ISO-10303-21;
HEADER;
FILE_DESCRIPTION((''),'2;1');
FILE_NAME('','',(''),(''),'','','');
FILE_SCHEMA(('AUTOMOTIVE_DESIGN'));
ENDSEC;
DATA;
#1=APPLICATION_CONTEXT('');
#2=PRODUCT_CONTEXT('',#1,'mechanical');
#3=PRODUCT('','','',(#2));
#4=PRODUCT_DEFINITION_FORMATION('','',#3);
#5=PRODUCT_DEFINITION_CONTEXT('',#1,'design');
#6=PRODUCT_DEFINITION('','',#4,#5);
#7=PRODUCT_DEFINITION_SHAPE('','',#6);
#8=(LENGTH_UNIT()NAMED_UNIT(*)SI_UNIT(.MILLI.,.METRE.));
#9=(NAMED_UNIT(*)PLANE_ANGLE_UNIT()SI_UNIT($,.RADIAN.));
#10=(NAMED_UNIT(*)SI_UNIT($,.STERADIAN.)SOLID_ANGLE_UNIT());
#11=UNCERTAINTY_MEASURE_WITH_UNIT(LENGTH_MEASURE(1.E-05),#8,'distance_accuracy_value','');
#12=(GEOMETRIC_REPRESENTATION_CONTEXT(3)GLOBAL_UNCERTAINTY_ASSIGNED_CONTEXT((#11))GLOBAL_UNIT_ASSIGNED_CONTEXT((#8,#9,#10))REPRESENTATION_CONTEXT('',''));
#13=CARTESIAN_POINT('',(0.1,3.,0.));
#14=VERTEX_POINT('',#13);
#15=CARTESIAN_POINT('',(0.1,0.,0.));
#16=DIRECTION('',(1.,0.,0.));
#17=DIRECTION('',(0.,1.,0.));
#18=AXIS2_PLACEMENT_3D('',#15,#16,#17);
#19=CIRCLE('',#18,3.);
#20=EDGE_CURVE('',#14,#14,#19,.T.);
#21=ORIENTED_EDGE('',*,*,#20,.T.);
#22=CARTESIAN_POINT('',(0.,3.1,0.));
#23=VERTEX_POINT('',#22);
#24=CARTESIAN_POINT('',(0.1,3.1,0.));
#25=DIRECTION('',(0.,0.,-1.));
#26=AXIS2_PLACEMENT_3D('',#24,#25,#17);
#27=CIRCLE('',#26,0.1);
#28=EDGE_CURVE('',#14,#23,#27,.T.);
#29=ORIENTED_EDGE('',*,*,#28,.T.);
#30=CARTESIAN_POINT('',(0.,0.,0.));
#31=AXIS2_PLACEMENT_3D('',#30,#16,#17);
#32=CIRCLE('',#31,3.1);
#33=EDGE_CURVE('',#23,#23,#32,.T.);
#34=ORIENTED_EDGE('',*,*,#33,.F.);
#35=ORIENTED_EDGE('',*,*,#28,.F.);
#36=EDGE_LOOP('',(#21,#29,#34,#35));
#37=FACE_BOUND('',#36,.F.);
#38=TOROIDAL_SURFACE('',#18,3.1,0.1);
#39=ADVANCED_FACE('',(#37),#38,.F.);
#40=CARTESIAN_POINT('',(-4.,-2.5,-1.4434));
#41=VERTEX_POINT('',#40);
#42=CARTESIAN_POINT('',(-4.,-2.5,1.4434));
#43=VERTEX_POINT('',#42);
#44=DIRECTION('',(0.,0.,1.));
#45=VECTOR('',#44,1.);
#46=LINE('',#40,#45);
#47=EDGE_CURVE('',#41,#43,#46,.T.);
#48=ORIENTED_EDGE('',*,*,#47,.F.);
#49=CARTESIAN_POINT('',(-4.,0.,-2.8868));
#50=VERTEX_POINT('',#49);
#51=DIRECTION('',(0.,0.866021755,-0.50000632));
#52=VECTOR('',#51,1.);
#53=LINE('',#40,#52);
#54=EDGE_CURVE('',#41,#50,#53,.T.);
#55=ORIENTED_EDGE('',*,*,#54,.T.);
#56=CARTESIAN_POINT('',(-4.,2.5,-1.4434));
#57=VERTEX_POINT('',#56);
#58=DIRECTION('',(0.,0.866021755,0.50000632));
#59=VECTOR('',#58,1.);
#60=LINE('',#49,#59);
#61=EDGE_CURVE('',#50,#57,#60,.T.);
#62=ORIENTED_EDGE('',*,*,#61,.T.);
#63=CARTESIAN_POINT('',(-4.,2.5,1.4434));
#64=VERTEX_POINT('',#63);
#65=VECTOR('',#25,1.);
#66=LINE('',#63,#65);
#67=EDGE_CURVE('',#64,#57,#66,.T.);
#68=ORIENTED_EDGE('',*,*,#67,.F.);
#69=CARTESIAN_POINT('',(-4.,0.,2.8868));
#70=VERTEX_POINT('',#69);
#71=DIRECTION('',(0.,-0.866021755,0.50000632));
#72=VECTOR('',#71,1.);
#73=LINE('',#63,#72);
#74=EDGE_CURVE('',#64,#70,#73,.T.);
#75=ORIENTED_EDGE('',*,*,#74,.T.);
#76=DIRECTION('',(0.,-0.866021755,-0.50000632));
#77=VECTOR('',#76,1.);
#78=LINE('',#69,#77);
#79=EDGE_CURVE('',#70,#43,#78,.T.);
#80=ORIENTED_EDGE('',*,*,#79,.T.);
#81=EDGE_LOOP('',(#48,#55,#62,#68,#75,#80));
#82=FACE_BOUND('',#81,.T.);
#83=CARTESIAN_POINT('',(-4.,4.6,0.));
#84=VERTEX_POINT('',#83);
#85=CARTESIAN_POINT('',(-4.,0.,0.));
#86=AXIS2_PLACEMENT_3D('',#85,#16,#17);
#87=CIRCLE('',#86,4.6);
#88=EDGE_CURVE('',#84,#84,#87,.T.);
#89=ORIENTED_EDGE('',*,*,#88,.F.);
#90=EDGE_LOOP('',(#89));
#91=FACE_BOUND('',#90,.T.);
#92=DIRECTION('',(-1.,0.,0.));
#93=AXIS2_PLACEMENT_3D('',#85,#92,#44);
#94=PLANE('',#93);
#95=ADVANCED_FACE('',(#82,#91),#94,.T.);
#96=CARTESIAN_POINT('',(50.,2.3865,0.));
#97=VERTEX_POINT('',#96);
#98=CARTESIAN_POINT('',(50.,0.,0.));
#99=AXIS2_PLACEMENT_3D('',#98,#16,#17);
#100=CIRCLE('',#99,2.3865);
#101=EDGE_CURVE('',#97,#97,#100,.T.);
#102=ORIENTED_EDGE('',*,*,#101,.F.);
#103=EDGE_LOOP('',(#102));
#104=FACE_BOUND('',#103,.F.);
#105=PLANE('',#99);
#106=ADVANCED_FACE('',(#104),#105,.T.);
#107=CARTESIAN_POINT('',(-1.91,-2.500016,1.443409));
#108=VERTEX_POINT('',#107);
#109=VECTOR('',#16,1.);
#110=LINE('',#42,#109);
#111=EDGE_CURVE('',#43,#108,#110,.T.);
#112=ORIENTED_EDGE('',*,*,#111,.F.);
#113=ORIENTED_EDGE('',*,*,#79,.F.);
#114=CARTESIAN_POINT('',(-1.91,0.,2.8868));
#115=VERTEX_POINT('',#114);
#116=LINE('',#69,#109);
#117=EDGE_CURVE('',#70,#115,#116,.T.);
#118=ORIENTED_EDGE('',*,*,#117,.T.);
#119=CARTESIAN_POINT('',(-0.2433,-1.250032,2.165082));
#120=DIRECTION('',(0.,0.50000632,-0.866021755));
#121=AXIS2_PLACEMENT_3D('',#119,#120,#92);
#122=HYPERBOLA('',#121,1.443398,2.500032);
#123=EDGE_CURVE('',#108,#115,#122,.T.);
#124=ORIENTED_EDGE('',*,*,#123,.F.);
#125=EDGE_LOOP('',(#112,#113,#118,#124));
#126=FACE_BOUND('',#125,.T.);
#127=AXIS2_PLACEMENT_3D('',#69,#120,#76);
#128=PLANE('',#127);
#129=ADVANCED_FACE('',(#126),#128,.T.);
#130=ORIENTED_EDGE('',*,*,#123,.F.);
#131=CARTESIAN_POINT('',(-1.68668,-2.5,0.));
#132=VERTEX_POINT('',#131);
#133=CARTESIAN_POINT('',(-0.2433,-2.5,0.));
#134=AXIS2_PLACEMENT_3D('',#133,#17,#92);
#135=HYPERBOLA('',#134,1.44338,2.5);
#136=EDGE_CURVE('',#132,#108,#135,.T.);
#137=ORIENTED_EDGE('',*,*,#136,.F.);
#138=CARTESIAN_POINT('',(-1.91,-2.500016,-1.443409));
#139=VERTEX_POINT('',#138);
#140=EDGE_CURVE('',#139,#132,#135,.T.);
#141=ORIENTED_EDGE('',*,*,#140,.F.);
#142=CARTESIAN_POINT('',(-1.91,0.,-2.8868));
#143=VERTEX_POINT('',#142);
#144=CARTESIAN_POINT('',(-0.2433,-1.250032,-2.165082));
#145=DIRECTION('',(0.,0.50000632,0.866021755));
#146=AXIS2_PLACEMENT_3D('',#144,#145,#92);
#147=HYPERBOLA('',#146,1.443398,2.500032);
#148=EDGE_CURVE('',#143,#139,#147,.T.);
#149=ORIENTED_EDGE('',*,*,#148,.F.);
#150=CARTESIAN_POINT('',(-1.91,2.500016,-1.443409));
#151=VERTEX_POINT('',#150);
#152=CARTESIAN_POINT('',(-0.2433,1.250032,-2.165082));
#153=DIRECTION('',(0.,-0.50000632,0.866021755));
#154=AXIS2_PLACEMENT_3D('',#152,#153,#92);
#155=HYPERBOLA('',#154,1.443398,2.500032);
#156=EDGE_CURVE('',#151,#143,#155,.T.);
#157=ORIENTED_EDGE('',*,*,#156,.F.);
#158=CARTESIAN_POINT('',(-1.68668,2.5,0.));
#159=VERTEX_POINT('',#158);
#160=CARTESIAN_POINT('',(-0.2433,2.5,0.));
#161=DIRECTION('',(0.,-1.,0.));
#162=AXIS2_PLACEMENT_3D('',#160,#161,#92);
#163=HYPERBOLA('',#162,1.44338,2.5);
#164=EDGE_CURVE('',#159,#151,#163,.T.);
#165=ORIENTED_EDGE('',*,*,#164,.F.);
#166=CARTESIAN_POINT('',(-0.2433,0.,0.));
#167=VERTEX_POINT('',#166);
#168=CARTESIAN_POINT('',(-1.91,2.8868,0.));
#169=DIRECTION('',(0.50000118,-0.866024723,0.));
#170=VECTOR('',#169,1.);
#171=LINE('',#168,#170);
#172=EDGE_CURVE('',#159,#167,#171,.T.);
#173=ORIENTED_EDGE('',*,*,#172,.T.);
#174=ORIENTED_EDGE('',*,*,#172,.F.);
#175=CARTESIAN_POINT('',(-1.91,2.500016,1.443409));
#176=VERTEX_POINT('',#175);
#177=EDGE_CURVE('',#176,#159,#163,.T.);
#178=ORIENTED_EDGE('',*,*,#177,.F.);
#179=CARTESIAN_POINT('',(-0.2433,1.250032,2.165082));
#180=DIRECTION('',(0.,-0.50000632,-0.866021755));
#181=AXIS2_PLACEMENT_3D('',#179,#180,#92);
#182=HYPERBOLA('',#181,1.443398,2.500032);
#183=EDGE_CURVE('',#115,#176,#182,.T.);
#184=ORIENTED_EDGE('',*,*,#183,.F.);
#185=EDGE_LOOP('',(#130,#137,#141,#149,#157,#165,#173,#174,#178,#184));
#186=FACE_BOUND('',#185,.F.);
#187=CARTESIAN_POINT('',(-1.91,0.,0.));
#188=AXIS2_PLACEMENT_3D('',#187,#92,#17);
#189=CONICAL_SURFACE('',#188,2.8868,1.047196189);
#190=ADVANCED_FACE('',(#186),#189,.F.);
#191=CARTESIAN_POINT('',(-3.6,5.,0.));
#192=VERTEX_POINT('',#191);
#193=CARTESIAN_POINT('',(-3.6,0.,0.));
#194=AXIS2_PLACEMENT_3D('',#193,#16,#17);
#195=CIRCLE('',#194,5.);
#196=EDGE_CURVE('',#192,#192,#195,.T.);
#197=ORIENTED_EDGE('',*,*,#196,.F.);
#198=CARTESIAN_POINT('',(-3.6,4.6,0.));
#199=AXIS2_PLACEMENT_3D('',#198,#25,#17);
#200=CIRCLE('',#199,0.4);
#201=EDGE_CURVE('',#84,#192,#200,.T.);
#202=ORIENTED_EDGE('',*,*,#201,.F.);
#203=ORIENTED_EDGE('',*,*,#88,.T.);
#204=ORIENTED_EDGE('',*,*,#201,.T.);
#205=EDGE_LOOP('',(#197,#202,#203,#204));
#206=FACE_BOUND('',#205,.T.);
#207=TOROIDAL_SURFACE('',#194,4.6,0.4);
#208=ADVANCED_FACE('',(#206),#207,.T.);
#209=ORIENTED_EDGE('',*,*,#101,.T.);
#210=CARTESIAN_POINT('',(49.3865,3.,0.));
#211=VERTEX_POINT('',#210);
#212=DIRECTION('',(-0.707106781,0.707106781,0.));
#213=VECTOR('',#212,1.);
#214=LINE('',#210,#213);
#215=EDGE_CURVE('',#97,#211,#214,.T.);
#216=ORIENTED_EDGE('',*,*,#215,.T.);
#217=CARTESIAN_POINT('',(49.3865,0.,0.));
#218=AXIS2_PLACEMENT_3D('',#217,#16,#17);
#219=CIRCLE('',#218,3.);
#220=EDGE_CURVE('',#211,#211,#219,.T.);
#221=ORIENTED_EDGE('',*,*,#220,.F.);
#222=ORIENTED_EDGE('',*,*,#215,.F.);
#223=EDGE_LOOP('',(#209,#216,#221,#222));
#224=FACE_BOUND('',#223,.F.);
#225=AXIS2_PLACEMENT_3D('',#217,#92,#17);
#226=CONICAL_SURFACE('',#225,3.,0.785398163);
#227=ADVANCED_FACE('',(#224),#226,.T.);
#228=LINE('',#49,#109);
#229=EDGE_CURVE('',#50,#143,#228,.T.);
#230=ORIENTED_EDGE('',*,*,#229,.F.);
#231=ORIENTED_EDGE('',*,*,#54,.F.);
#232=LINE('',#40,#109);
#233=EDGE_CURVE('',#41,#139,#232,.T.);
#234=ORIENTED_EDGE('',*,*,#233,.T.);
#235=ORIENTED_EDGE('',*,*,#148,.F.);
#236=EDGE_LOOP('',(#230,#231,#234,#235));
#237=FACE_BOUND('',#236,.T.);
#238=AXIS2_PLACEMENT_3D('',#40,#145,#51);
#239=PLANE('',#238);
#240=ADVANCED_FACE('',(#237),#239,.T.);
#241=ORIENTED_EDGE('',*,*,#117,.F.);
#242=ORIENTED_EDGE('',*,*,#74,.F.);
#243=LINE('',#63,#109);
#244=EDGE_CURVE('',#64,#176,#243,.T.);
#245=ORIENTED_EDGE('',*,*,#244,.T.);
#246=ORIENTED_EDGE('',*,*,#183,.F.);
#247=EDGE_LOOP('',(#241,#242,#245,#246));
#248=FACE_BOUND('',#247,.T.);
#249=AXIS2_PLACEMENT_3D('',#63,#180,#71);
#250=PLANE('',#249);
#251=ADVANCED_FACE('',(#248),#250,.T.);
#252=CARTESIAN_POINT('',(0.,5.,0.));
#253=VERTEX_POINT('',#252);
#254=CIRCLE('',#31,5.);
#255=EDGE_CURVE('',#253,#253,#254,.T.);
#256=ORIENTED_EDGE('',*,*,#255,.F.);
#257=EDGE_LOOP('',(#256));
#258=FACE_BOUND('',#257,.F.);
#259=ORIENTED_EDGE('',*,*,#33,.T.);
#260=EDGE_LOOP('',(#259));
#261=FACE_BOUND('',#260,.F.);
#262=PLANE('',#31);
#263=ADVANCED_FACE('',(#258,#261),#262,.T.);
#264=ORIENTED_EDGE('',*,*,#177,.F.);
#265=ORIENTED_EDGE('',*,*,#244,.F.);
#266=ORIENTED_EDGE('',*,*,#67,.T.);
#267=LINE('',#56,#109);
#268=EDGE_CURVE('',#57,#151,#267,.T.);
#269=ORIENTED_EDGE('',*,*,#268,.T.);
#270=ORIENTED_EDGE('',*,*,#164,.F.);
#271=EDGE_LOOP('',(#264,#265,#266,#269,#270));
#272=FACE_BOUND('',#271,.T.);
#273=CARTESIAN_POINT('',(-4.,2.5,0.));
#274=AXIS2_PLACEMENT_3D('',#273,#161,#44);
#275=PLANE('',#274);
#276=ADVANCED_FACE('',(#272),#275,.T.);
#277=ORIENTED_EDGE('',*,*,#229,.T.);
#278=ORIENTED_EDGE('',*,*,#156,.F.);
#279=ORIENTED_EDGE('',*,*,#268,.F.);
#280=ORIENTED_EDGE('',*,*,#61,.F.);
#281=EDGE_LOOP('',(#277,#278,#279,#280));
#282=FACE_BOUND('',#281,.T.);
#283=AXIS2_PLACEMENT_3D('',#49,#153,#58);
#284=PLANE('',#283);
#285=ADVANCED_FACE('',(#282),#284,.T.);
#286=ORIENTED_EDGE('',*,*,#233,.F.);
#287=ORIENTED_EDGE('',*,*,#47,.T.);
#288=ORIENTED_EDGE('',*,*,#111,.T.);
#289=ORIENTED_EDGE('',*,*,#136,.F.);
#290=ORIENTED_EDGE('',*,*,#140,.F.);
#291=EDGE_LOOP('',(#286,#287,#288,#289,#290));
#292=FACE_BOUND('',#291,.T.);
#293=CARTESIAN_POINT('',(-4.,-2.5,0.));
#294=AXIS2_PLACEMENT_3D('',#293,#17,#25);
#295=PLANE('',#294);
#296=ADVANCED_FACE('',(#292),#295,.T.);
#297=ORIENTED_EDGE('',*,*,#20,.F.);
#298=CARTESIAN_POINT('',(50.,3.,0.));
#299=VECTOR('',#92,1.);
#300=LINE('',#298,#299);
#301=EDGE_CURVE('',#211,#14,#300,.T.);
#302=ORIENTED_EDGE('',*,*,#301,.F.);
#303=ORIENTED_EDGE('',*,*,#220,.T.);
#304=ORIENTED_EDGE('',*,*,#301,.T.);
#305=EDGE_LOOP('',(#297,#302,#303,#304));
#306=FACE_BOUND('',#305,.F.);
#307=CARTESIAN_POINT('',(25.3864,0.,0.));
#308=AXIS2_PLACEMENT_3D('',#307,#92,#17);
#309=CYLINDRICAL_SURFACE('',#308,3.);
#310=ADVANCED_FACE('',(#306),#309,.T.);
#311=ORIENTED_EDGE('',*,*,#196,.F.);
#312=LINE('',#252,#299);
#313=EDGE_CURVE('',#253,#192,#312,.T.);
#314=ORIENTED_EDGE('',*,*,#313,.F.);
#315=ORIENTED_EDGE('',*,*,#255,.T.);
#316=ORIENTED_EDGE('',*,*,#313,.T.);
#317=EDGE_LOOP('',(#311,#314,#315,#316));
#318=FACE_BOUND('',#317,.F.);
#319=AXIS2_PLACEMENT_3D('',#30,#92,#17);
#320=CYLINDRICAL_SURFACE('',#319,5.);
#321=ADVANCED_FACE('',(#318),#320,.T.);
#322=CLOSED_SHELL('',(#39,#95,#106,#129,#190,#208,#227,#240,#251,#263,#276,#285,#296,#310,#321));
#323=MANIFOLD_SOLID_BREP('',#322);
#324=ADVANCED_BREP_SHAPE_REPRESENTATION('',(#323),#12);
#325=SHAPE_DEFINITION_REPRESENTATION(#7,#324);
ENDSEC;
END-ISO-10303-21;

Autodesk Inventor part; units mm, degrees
ref_plane "YZ Plane" through (0, 0, 0) normal (1, 0, 0) x (0, 1, 0)
ref_plane "XZ Plane" through (0, 0, 0) normal (0, 1, 0) x (-1, 0, 0)
sketch "Sketch1" plane through (0, 0, 0) normal (0, 0, 1) x (1, 0, 0)
  line L0 (-0.2433, 0) -> (50, 0)
  line L1 (50, 0) -> (50, 3)
  line L2 (50, 3) -> (26, 3)
  line L3 (26, 3) -> (25.3864, 3)
  line L4 (25.3864, 3) -> (0, 3)
  line L5 (0, 3) -> (0, 5)
  line L6 (0, 5) -> (-4, 5)
  line L7 (-4, 5) -> (-4, 2.8868)
  line L8 (-4, 2.8868) -> (-1.91, 2.8868)
  line L9 (-1.91, 2.8868) -> (-0.2433, 0)
  line L10 (-14.8, 0) -> (60.8, 0) projected
  line L11 (0, -1) -> (0, 6) projected
  line L12 (26, 3) -> (0, 3) construction
  dimension "d1" = 24
  dimension "d2" = 0.6136
  dimension "d3" = 4
  dimension "d4" = 2.09
  dimension "d5" = 60
  dimension "d6" = 6
  dimension "d7" = 6
  dimension "d8" = 5.7735
  dimension "d9" = 10
  dimension "d26" = 50
revolve "Body" add sketch "Sketch1" angle 360 about axis through (-0.2433, 0, 0) along (1, 0, 0)
sketch "Sketch2" plane through (-4, 0, 0) normal (-1, 0, 0) x (0, 0, 1)
  circle A0 centre (0, 0) radius 2.8868 projected
  line L0 (0, -7) -> (0, 7) projected
  line L1 (-7, 0) -> (7, 0) projected
  line L2 (2.8868, 0) -> (1.4434, -2.5)
  line L3 (1.4434, -2.5) -> (-1.4434, -2.5)
  line L4 (-1.4434, -2.5) -> (-2.8868, 0)
  line L5 (-2.8868, 0) -> (-1.4434, 2.5)
  line L6 (-1.4434, 2.5) -> (1.4434, 2.5)
  line L7 (1.4434, 2.5) -> (2.8868, 0)
extrude "Slot" add sketch "Sketch2" against normal up to next contours L7 A0 | A0 L2 | L6 L0 A0 | A0 L0 L3 | L0 L6 A0 | A0 L3 L0 | L4 A0 | A0 L5
fillet "Fillet1" radius 0.4 1 edges at (-4, -5, 0)
thread "Thread" size "M6x1" class "6g" standard "ISO Metric profile" length 24
chamfer "Chamfer1" distance 0.6135 distance2 0.6135 1 edges at (50, -3, 0) measured on face at (50, -0.7485, -0.2663)
ref_plane "Work Plane1" through (29, 0, 0) normal (0, -1, 0) x (1, 0, 0)
fillet "Fillet2" radius 0.1 1 edges at (0, -3, 0)
equation "\"d1\" = GEL"
equation "\"d3\" = KOH"
equation "\"d4\" = INTI"
equation "\"d6\" = GD"
equation "\"d7\" = BDM"
equation "\"d8\" = 1.1547 * SW"
equation "\"d9\" = KOD"
equation "\"d26\" = NLG"
equation "\"d30\" = R"
equation "\"d17\" = RR"
equation "\"d13\" = GEL"
equation "\"d15\" = -0.5 * SPD + 0.5 * GD"
equation "\"d16\" = GUL"
equation "\"GD\" = NND"
equation "\"NLG\" = 50"
equation "\"GEL\" = 24"
equation "\"KOD\" = 10"
equation "\"KOH\" = 4"
equation "\"INTI\" = 2.09"
equation "\"GAL\" = 0.61345 * PTC"
equation "\"GUL\" = 0.61345 * PTC"
equation "\"BDM\" = NND"
equation "\"SW\" = 5"
equation "\"RR\" = 0.4"
equation "\"SPD\" = NND - 1.2269 * PTC"
equation "\"R\" = 0.1"
equation "\"PHH\" = 0.4"
equation "\"GD1\" = THREADDIA - 1.2269 * PTC"
equation "\"THREADDIA\" = 6"
equation "\"FAWI\" = 45deg"
equation "\"PTC\" = 1"
equation "\"NND\" = 6"
equation "\"FAWI1\" = 30deg"
equation "\"TOA\" = 30deg"
equation "\"E0\" = 1.155 * SW"
properties part number "Unbrako - M6 x 50" material "Steel, Mild"
